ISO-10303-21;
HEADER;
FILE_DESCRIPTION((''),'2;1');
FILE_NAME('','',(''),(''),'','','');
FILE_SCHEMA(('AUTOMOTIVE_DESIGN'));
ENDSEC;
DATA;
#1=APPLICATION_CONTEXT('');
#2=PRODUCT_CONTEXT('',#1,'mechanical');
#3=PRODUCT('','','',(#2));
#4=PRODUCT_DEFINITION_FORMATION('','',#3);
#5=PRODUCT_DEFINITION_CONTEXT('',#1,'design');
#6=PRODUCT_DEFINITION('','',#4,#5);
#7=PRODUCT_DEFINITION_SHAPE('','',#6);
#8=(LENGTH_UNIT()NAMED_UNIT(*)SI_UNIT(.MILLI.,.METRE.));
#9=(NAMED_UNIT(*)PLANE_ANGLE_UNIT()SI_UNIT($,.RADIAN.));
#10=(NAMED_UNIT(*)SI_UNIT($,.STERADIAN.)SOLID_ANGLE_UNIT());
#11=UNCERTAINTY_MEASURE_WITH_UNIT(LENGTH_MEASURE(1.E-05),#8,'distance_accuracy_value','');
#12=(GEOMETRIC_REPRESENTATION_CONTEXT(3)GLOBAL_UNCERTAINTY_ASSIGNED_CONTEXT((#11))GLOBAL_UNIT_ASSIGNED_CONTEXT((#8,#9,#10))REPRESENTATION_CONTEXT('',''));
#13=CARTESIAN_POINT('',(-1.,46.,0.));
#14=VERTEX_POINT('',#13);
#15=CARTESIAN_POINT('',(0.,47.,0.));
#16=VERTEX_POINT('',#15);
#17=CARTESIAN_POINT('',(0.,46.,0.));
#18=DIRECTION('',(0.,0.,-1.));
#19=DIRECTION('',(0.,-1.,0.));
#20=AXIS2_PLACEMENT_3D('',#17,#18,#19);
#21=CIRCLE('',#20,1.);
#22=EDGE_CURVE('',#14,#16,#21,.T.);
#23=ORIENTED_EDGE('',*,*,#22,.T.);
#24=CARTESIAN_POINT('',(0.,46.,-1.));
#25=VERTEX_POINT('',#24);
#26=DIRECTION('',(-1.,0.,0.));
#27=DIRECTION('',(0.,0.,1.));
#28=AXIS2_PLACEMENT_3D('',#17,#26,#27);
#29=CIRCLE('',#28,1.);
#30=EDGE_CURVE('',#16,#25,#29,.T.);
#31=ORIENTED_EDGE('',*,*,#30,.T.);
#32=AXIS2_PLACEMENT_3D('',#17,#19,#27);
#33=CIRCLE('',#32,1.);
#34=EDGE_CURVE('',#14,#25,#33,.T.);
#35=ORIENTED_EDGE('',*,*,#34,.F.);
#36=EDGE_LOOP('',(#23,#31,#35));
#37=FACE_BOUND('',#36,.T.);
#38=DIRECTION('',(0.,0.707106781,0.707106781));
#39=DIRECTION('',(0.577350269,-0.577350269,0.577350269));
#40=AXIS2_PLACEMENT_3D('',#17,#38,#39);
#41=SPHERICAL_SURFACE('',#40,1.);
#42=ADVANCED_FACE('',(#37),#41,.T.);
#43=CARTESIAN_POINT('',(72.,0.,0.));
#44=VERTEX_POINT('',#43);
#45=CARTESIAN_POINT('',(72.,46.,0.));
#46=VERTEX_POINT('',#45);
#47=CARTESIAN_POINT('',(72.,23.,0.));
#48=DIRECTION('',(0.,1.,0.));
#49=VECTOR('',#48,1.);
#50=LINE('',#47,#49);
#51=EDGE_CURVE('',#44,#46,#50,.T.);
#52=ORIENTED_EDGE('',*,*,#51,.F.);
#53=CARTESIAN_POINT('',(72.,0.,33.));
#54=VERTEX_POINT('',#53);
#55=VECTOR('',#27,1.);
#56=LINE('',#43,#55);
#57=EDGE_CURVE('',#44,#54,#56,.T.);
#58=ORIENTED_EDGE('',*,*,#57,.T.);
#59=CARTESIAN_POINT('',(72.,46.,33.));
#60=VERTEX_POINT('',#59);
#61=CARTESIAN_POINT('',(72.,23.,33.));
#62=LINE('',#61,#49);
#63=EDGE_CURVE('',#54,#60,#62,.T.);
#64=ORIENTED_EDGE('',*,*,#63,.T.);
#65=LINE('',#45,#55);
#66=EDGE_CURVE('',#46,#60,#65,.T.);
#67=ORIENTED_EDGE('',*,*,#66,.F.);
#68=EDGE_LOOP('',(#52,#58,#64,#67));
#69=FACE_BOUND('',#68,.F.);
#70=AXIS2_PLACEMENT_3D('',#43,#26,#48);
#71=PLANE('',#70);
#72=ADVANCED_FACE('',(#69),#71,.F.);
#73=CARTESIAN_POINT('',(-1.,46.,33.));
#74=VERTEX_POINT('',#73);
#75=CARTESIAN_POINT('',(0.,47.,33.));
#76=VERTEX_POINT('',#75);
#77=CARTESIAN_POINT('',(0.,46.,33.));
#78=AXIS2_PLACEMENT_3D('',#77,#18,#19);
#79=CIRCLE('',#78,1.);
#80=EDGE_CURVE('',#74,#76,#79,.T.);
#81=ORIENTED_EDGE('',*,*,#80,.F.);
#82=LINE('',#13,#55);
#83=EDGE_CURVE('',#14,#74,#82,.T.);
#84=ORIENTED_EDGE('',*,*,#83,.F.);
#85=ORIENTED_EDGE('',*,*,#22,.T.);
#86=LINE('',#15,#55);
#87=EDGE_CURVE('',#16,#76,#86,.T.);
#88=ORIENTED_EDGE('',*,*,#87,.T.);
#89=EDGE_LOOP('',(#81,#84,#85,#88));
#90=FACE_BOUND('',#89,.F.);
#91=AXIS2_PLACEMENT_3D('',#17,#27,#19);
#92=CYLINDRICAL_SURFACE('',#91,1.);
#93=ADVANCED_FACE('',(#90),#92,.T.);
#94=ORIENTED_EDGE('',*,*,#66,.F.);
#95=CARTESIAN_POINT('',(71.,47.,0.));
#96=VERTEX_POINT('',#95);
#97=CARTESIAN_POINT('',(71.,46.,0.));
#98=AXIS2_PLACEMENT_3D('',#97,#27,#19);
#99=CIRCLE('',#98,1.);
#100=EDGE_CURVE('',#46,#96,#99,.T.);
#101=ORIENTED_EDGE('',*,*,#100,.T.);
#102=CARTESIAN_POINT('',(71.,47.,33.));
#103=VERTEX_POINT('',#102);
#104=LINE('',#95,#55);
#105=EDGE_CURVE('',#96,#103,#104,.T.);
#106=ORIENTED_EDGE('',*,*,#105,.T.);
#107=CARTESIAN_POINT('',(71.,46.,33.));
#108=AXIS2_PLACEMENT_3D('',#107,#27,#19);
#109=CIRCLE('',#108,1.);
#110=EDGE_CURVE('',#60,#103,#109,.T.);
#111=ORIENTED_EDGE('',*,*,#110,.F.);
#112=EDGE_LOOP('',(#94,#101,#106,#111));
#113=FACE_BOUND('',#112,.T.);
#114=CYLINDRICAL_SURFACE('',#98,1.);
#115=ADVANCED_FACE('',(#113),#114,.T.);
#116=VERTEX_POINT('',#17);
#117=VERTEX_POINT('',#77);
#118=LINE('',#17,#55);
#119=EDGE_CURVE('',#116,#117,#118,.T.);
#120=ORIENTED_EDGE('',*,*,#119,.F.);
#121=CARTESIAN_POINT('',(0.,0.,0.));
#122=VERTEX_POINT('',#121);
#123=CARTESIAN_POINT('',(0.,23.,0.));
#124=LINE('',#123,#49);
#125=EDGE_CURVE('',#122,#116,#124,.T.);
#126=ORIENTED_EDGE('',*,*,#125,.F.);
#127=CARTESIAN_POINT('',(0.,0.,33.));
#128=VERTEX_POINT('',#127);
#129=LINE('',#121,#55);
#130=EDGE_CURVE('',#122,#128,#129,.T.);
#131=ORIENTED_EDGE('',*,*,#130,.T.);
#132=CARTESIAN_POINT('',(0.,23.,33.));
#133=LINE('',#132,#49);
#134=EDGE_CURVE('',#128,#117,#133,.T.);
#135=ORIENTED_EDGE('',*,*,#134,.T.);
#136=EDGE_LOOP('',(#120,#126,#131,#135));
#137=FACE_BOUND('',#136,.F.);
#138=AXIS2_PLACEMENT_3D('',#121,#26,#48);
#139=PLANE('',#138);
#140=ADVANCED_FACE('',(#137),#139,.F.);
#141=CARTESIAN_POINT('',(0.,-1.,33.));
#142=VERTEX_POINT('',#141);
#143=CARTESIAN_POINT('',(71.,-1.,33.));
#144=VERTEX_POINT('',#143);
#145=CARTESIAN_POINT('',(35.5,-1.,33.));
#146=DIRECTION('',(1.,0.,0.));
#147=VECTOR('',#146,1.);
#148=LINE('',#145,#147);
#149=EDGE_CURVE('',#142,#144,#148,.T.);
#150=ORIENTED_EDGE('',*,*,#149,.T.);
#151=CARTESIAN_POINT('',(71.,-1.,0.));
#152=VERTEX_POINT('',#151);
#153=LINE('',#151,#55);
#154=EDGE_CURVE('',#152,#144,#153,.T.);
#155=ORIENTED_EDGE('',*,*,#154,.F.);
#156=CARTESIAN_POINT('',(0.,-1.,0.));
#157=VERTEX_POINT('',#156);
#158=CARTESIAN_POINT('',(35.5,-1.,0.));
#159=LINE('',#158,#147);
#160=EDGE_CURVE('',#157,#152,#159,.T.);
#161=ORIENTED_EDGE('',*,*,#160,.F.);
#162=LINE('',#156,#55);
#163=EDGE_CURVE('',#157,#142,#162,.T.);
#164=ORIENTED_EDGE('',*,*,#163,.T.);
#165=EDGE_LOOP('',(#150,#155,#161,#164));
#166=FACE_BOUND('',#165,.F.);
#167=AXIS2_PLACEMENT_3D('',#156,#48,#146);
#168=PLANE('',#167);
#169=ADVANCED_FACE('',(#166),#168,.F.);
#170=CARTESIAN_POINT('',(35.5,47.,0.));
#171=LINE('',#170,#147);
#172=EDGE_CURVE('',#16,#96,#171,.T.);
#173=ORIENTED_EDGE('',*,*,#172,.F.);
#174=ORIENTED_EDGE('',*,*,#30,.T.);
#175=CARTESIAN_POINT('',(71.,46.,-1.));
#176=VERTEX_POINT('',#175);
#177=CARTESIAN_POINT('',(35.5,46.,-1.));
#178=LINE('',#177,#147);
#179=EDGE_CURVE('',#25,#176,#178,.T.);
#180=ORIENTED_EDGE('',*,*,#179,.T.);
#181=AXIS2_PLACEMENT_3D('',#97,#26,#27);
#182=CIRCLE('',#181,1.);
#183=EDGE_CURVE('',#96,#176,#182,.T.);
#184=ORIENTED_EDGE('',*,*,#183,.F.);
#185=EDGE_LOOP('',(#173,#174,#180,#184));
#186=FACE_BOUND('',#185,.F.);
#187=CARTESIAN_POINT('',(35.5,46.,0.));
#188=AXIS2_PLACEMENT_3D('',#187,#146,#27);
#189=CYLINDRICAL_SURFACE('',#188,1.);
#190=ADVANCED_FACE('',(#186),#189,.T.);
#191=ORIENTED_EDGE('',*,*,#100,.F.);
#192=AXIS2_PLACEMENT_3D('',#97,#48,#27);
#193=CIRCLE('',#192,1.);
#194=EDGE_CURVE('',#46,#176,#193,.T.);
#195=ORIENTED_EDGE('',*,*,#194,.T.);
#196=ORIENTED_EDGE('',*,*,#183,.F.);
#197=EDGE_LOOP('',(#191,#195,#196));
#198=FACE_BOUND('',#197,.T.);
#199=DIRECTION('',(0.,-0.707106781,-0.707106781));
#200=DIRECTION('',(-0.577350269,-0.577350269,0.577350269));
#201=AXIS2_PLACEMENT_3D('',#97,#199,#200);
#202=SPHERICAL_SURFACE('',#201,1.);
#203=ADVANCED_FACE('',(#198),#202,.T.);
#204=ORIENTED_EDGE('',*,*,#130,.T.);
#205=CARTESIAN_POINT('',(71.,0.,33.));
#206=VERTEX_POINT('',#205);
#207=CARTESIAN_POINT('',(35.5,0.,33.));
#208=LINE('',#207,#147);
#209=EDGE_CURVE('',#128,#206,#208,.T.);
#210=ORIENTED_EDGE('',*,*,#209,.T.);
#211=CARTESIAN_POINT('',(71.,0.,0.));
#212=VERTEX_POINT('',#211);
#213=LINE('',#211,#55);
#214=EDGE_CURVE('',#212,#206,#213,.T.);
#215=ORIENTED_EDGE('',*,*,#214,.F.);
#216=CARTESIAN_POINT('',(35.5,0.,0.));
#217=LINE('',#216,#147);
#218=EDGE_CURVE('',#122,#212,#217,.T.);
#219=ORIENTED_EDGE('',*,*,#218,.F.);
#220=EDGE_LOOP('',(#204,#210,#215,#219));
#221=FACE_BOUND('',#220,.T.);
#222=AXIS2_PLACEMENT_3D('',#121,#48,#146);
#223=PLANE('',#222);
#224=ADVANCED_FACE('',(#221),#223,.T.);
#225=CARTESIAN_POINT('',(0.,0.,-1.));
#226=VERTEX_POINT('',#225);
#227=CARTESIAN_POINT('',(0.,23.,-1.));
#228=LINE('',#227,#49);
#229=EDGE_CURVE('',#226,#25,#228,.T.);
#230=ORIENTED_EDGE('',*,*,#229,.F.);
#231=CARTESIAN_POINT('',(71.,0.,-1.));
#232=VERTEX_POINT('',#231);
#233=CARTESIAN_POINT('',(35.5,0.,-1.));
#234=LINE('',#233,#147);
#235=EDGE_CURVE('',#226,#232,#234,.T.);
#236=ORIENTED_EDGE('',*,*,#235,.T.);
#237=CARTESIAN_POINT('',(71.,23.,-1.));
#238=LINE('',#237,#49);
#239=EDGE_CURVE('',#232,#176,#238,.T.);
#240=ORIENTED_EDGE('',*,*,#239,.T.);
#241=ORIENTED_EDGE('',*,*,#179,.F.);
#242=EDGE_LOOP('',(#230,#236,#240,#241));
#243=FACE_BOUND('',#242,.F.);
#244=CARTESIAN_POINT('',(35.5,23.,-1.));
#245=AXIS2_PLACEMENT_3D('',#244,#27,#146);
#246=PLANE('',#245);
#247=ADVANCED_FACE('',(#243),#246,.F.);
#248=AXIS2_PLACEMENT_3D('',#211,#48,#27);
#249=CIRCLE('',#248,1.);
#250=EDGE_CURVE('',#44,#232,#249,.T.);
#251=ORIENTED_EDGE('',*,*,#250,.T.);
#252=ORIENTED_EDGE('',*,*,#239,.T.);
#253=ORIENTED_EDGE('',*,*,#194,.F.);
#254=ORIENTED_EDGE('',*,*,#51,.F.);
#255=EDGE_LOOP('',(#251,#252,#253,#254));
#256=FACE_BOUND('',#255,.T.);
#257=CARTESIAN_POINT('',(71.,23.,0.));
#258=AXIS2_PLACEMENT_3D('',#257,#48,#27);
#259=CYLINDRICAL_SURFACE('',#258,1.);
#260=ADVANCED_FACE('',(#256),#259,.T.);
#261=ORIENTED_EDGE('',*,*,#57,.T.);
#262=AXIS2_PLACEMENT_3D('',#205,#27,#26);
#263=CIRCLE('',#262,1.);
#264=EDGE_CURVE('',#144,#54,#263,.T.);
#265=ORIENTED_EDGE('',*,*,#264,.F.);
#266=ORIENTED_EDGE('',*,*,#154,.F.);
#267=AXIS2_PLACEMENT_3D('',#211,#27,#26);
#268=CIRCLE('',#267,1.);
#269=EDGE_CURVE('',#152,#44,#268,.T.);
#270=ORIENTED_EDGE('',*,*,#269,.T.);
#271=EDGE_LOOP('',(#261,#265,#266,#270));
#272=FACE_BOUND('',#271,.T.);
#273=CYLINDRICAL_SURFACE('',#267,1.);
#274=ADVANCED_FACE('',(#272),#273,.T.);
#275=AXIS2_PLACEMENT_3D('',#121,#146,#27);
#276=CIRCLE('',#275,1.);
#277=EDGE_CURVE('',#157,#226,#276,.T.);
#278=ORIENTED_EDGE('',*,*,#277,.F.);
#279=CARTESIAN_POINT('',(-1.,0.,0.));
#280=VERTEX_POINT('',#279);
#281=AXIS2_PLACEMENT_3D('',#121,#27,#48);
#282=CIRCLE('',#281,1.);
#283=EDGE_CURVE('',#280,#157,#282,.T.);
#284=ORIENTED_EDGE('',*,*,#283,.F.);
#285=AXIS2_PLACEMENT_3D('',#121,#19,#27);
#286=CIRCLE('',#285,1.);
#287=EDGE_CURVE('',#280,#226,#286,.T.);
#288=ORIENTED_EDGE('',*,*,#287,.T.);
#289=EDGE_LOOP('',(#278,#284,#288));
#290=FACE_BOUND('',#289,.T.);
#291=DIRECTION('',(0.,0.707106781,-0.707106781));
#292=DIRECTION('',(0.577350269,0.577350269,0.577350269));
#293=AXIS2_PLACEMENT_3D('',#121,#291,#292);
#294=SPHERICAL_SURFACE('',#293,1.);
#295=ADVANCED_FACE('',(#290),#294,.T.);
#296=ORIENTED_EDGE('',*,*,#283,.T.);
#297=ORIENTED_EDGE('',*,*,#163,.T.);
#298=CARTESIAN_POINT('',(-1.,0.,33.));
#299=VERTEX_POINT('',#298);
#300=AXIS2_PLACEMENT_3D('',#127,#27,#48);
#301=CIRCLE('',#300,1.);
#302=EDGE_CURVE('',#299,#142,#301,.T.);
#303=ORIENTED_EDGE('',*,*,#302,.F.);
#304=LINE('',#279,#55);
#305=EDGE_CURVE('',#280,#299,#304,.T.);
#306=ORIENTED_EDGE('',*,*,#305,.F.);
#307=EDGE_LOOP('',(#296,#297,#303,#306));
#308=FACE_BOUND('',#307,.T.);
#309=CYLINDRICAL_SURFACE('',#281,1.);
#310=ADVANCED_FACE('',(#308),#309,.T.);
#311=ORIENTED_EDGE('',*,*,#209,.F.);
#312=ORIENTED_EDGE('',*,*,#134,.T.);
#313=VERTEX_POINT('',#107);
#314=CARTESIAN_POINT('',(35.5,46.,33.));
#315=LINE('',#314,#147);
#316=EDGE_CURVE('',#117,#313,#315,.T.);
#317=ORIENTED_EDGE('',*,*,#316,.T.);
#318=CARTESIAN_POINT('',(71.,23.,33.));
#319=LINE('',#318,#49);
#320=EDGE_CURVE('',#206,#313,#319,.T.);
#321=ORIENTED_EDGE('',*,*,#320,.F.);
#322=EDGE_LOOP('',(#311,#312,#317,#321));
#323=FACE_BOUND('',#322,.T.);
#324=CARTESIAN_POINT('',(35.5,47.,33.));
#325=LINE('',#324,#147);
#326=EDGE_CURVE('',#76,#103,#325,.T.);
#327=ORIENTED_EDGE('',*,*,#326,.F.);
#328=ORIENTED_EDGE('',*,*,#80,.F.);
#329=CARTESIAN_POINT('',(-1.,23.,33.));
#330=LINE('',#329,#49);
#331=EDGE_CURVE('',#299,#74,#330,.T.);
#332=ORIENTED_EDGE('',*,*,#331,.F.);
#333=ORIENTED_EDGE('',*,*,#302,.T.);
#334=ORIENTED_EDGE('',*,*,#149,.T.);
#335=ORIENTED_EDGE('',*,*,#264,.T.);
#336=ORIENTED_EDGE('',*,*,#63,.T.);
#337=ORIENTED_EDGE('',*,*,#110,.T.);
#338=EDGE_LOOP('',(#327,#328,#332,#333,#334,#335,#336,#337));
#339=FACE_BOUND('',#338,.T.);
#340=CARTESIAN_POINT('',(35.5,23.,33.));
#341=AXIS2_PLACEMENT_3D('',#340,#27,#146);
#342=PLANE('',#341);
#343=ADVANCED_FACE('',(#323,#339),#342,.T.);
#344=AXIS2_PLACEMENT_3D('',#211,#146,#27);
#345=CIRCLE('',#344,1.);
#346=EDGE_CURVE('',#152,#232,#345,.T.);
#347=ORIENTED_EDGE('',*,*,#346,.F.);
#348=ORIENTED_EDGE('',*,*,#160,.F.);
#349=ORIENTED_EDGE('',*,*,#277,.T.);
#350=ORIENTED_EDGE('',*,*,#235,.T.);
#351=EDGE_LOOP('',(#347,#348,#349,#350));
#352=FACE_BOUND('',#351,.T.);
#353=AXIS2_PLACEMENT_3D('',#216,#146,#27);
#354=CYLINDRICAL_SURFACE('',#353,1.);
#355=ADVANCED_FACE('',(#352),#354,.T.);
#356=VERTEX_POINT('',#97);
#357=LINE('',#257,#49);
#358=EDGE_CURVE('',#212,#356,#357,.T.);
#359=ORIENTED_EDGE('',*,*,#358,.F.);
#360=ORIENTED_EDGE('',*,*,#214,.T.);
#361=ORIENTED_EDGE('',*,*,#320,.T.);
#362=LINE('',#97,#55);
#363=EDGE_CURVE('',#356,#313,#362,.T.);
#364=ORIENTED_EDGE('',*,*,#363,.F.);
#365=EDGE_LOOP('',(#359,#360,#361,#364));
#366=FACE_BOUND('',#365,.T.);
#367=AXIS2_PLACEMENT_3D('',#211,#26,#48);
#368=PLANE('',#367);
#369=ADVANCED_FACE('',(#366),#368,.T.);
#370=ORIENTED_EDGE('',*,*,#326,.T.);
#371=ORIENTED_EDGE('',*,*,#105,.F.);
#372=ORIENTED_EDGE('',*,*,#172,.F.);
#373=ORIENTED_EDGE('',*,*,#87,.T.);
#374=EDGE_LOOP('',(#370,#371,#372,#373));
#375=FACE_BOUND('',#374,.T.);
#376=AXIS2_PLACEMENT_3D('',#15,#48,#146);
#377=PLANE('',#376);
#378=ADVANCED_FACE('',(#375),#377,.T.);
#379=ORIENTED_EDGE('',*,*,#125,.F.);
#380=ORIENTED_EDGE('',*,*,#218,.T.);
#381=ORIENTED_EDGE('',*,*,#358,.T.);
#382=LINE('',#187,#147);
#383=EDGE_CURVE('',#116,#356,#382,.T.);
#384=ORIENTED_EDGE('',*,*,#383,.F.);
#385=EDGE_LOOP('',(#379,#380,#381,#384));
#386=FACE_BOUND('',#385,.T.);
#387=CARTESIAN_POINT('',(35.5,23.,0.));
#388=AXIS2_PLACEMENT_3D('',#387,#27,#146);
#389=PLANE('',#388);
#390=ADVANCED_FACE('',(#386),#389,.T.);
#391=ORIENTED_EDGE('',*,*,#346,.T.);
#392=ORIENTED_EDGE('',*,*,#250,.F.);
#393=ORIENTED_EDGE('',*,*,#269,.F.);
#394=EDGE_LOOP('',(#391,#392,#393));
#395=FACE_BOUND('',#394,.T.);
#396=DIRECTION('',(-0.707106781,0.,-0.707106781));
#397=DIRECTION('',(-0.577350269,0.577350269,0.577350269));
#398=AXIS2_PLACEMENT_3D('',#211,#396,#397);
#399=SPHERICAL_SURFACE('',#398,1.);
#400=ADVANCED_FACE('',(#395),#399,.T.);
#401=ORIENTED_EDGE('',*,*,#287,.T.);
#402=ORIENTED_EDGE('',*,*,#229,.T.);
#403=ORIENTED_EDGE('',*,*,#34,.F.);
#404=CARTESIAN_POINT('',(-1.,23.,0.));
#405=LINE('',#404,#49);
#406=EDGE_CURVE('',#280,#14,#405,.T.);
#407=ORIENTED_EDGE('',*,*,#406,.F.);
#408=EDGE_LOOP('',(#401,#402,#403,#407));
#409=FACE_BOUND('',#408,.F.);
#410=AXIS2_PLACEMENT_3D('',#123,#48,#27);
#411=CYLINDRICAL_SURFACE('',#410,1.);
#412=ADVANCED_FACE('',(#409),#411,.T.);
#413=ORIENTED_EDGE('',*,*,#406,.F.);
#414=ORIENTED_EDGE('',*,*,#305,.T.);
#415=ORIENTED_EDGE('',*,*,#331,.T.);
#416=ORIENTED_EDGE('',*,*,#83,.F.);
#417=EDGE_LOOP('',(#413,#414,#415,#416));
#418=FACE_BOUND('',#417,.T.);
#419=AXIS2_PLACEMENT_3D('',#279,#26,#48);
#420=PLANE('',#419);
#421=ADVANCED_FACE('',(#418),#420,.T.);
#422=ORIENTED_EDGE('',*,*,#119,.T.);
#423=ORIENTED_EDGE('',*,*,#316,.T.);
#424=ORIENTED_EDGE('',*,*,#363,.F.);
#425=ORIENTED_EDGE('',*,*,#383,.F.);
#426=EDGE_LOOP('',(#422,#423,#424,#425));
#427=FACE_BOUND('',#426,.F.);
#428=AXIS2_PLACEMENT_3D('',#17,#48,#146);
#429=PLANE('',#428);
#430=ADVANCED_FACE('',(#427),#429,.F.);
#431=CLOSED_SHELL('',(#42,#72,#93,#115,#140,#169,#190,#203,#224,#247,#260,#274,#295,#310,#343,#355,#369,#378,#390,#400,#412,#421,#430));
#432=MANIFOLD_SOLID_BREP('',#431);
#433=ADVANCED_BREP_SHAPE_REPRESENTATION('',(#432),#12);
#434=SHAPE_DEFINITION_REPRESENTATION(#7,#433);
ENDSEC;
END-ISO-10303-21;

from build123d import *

# Parameters (mm, degrees)
SKETCH_W    = 71
SKETCH_H    = 46
PAD_DEPTH   = 33
THICKNESS_T = 1


with BuildPart() as part:
    # Sketch → Pad (new body)
    with BuildSketch(Plane.XY):
        with Locations((35.5, 23)):
            Rectangle(SKETCH_W, SKETCH_H)
    extrude(amount=PAD_DEPTH)

    # Thickness
    thickness_openings = [part.faces().sort_by_distance(p)[0] for p in [
        (35.5, 23, 33),
    ]]
    offset(amount=THICKNESS_T, openings=thickness_openings)


solid = part.part
